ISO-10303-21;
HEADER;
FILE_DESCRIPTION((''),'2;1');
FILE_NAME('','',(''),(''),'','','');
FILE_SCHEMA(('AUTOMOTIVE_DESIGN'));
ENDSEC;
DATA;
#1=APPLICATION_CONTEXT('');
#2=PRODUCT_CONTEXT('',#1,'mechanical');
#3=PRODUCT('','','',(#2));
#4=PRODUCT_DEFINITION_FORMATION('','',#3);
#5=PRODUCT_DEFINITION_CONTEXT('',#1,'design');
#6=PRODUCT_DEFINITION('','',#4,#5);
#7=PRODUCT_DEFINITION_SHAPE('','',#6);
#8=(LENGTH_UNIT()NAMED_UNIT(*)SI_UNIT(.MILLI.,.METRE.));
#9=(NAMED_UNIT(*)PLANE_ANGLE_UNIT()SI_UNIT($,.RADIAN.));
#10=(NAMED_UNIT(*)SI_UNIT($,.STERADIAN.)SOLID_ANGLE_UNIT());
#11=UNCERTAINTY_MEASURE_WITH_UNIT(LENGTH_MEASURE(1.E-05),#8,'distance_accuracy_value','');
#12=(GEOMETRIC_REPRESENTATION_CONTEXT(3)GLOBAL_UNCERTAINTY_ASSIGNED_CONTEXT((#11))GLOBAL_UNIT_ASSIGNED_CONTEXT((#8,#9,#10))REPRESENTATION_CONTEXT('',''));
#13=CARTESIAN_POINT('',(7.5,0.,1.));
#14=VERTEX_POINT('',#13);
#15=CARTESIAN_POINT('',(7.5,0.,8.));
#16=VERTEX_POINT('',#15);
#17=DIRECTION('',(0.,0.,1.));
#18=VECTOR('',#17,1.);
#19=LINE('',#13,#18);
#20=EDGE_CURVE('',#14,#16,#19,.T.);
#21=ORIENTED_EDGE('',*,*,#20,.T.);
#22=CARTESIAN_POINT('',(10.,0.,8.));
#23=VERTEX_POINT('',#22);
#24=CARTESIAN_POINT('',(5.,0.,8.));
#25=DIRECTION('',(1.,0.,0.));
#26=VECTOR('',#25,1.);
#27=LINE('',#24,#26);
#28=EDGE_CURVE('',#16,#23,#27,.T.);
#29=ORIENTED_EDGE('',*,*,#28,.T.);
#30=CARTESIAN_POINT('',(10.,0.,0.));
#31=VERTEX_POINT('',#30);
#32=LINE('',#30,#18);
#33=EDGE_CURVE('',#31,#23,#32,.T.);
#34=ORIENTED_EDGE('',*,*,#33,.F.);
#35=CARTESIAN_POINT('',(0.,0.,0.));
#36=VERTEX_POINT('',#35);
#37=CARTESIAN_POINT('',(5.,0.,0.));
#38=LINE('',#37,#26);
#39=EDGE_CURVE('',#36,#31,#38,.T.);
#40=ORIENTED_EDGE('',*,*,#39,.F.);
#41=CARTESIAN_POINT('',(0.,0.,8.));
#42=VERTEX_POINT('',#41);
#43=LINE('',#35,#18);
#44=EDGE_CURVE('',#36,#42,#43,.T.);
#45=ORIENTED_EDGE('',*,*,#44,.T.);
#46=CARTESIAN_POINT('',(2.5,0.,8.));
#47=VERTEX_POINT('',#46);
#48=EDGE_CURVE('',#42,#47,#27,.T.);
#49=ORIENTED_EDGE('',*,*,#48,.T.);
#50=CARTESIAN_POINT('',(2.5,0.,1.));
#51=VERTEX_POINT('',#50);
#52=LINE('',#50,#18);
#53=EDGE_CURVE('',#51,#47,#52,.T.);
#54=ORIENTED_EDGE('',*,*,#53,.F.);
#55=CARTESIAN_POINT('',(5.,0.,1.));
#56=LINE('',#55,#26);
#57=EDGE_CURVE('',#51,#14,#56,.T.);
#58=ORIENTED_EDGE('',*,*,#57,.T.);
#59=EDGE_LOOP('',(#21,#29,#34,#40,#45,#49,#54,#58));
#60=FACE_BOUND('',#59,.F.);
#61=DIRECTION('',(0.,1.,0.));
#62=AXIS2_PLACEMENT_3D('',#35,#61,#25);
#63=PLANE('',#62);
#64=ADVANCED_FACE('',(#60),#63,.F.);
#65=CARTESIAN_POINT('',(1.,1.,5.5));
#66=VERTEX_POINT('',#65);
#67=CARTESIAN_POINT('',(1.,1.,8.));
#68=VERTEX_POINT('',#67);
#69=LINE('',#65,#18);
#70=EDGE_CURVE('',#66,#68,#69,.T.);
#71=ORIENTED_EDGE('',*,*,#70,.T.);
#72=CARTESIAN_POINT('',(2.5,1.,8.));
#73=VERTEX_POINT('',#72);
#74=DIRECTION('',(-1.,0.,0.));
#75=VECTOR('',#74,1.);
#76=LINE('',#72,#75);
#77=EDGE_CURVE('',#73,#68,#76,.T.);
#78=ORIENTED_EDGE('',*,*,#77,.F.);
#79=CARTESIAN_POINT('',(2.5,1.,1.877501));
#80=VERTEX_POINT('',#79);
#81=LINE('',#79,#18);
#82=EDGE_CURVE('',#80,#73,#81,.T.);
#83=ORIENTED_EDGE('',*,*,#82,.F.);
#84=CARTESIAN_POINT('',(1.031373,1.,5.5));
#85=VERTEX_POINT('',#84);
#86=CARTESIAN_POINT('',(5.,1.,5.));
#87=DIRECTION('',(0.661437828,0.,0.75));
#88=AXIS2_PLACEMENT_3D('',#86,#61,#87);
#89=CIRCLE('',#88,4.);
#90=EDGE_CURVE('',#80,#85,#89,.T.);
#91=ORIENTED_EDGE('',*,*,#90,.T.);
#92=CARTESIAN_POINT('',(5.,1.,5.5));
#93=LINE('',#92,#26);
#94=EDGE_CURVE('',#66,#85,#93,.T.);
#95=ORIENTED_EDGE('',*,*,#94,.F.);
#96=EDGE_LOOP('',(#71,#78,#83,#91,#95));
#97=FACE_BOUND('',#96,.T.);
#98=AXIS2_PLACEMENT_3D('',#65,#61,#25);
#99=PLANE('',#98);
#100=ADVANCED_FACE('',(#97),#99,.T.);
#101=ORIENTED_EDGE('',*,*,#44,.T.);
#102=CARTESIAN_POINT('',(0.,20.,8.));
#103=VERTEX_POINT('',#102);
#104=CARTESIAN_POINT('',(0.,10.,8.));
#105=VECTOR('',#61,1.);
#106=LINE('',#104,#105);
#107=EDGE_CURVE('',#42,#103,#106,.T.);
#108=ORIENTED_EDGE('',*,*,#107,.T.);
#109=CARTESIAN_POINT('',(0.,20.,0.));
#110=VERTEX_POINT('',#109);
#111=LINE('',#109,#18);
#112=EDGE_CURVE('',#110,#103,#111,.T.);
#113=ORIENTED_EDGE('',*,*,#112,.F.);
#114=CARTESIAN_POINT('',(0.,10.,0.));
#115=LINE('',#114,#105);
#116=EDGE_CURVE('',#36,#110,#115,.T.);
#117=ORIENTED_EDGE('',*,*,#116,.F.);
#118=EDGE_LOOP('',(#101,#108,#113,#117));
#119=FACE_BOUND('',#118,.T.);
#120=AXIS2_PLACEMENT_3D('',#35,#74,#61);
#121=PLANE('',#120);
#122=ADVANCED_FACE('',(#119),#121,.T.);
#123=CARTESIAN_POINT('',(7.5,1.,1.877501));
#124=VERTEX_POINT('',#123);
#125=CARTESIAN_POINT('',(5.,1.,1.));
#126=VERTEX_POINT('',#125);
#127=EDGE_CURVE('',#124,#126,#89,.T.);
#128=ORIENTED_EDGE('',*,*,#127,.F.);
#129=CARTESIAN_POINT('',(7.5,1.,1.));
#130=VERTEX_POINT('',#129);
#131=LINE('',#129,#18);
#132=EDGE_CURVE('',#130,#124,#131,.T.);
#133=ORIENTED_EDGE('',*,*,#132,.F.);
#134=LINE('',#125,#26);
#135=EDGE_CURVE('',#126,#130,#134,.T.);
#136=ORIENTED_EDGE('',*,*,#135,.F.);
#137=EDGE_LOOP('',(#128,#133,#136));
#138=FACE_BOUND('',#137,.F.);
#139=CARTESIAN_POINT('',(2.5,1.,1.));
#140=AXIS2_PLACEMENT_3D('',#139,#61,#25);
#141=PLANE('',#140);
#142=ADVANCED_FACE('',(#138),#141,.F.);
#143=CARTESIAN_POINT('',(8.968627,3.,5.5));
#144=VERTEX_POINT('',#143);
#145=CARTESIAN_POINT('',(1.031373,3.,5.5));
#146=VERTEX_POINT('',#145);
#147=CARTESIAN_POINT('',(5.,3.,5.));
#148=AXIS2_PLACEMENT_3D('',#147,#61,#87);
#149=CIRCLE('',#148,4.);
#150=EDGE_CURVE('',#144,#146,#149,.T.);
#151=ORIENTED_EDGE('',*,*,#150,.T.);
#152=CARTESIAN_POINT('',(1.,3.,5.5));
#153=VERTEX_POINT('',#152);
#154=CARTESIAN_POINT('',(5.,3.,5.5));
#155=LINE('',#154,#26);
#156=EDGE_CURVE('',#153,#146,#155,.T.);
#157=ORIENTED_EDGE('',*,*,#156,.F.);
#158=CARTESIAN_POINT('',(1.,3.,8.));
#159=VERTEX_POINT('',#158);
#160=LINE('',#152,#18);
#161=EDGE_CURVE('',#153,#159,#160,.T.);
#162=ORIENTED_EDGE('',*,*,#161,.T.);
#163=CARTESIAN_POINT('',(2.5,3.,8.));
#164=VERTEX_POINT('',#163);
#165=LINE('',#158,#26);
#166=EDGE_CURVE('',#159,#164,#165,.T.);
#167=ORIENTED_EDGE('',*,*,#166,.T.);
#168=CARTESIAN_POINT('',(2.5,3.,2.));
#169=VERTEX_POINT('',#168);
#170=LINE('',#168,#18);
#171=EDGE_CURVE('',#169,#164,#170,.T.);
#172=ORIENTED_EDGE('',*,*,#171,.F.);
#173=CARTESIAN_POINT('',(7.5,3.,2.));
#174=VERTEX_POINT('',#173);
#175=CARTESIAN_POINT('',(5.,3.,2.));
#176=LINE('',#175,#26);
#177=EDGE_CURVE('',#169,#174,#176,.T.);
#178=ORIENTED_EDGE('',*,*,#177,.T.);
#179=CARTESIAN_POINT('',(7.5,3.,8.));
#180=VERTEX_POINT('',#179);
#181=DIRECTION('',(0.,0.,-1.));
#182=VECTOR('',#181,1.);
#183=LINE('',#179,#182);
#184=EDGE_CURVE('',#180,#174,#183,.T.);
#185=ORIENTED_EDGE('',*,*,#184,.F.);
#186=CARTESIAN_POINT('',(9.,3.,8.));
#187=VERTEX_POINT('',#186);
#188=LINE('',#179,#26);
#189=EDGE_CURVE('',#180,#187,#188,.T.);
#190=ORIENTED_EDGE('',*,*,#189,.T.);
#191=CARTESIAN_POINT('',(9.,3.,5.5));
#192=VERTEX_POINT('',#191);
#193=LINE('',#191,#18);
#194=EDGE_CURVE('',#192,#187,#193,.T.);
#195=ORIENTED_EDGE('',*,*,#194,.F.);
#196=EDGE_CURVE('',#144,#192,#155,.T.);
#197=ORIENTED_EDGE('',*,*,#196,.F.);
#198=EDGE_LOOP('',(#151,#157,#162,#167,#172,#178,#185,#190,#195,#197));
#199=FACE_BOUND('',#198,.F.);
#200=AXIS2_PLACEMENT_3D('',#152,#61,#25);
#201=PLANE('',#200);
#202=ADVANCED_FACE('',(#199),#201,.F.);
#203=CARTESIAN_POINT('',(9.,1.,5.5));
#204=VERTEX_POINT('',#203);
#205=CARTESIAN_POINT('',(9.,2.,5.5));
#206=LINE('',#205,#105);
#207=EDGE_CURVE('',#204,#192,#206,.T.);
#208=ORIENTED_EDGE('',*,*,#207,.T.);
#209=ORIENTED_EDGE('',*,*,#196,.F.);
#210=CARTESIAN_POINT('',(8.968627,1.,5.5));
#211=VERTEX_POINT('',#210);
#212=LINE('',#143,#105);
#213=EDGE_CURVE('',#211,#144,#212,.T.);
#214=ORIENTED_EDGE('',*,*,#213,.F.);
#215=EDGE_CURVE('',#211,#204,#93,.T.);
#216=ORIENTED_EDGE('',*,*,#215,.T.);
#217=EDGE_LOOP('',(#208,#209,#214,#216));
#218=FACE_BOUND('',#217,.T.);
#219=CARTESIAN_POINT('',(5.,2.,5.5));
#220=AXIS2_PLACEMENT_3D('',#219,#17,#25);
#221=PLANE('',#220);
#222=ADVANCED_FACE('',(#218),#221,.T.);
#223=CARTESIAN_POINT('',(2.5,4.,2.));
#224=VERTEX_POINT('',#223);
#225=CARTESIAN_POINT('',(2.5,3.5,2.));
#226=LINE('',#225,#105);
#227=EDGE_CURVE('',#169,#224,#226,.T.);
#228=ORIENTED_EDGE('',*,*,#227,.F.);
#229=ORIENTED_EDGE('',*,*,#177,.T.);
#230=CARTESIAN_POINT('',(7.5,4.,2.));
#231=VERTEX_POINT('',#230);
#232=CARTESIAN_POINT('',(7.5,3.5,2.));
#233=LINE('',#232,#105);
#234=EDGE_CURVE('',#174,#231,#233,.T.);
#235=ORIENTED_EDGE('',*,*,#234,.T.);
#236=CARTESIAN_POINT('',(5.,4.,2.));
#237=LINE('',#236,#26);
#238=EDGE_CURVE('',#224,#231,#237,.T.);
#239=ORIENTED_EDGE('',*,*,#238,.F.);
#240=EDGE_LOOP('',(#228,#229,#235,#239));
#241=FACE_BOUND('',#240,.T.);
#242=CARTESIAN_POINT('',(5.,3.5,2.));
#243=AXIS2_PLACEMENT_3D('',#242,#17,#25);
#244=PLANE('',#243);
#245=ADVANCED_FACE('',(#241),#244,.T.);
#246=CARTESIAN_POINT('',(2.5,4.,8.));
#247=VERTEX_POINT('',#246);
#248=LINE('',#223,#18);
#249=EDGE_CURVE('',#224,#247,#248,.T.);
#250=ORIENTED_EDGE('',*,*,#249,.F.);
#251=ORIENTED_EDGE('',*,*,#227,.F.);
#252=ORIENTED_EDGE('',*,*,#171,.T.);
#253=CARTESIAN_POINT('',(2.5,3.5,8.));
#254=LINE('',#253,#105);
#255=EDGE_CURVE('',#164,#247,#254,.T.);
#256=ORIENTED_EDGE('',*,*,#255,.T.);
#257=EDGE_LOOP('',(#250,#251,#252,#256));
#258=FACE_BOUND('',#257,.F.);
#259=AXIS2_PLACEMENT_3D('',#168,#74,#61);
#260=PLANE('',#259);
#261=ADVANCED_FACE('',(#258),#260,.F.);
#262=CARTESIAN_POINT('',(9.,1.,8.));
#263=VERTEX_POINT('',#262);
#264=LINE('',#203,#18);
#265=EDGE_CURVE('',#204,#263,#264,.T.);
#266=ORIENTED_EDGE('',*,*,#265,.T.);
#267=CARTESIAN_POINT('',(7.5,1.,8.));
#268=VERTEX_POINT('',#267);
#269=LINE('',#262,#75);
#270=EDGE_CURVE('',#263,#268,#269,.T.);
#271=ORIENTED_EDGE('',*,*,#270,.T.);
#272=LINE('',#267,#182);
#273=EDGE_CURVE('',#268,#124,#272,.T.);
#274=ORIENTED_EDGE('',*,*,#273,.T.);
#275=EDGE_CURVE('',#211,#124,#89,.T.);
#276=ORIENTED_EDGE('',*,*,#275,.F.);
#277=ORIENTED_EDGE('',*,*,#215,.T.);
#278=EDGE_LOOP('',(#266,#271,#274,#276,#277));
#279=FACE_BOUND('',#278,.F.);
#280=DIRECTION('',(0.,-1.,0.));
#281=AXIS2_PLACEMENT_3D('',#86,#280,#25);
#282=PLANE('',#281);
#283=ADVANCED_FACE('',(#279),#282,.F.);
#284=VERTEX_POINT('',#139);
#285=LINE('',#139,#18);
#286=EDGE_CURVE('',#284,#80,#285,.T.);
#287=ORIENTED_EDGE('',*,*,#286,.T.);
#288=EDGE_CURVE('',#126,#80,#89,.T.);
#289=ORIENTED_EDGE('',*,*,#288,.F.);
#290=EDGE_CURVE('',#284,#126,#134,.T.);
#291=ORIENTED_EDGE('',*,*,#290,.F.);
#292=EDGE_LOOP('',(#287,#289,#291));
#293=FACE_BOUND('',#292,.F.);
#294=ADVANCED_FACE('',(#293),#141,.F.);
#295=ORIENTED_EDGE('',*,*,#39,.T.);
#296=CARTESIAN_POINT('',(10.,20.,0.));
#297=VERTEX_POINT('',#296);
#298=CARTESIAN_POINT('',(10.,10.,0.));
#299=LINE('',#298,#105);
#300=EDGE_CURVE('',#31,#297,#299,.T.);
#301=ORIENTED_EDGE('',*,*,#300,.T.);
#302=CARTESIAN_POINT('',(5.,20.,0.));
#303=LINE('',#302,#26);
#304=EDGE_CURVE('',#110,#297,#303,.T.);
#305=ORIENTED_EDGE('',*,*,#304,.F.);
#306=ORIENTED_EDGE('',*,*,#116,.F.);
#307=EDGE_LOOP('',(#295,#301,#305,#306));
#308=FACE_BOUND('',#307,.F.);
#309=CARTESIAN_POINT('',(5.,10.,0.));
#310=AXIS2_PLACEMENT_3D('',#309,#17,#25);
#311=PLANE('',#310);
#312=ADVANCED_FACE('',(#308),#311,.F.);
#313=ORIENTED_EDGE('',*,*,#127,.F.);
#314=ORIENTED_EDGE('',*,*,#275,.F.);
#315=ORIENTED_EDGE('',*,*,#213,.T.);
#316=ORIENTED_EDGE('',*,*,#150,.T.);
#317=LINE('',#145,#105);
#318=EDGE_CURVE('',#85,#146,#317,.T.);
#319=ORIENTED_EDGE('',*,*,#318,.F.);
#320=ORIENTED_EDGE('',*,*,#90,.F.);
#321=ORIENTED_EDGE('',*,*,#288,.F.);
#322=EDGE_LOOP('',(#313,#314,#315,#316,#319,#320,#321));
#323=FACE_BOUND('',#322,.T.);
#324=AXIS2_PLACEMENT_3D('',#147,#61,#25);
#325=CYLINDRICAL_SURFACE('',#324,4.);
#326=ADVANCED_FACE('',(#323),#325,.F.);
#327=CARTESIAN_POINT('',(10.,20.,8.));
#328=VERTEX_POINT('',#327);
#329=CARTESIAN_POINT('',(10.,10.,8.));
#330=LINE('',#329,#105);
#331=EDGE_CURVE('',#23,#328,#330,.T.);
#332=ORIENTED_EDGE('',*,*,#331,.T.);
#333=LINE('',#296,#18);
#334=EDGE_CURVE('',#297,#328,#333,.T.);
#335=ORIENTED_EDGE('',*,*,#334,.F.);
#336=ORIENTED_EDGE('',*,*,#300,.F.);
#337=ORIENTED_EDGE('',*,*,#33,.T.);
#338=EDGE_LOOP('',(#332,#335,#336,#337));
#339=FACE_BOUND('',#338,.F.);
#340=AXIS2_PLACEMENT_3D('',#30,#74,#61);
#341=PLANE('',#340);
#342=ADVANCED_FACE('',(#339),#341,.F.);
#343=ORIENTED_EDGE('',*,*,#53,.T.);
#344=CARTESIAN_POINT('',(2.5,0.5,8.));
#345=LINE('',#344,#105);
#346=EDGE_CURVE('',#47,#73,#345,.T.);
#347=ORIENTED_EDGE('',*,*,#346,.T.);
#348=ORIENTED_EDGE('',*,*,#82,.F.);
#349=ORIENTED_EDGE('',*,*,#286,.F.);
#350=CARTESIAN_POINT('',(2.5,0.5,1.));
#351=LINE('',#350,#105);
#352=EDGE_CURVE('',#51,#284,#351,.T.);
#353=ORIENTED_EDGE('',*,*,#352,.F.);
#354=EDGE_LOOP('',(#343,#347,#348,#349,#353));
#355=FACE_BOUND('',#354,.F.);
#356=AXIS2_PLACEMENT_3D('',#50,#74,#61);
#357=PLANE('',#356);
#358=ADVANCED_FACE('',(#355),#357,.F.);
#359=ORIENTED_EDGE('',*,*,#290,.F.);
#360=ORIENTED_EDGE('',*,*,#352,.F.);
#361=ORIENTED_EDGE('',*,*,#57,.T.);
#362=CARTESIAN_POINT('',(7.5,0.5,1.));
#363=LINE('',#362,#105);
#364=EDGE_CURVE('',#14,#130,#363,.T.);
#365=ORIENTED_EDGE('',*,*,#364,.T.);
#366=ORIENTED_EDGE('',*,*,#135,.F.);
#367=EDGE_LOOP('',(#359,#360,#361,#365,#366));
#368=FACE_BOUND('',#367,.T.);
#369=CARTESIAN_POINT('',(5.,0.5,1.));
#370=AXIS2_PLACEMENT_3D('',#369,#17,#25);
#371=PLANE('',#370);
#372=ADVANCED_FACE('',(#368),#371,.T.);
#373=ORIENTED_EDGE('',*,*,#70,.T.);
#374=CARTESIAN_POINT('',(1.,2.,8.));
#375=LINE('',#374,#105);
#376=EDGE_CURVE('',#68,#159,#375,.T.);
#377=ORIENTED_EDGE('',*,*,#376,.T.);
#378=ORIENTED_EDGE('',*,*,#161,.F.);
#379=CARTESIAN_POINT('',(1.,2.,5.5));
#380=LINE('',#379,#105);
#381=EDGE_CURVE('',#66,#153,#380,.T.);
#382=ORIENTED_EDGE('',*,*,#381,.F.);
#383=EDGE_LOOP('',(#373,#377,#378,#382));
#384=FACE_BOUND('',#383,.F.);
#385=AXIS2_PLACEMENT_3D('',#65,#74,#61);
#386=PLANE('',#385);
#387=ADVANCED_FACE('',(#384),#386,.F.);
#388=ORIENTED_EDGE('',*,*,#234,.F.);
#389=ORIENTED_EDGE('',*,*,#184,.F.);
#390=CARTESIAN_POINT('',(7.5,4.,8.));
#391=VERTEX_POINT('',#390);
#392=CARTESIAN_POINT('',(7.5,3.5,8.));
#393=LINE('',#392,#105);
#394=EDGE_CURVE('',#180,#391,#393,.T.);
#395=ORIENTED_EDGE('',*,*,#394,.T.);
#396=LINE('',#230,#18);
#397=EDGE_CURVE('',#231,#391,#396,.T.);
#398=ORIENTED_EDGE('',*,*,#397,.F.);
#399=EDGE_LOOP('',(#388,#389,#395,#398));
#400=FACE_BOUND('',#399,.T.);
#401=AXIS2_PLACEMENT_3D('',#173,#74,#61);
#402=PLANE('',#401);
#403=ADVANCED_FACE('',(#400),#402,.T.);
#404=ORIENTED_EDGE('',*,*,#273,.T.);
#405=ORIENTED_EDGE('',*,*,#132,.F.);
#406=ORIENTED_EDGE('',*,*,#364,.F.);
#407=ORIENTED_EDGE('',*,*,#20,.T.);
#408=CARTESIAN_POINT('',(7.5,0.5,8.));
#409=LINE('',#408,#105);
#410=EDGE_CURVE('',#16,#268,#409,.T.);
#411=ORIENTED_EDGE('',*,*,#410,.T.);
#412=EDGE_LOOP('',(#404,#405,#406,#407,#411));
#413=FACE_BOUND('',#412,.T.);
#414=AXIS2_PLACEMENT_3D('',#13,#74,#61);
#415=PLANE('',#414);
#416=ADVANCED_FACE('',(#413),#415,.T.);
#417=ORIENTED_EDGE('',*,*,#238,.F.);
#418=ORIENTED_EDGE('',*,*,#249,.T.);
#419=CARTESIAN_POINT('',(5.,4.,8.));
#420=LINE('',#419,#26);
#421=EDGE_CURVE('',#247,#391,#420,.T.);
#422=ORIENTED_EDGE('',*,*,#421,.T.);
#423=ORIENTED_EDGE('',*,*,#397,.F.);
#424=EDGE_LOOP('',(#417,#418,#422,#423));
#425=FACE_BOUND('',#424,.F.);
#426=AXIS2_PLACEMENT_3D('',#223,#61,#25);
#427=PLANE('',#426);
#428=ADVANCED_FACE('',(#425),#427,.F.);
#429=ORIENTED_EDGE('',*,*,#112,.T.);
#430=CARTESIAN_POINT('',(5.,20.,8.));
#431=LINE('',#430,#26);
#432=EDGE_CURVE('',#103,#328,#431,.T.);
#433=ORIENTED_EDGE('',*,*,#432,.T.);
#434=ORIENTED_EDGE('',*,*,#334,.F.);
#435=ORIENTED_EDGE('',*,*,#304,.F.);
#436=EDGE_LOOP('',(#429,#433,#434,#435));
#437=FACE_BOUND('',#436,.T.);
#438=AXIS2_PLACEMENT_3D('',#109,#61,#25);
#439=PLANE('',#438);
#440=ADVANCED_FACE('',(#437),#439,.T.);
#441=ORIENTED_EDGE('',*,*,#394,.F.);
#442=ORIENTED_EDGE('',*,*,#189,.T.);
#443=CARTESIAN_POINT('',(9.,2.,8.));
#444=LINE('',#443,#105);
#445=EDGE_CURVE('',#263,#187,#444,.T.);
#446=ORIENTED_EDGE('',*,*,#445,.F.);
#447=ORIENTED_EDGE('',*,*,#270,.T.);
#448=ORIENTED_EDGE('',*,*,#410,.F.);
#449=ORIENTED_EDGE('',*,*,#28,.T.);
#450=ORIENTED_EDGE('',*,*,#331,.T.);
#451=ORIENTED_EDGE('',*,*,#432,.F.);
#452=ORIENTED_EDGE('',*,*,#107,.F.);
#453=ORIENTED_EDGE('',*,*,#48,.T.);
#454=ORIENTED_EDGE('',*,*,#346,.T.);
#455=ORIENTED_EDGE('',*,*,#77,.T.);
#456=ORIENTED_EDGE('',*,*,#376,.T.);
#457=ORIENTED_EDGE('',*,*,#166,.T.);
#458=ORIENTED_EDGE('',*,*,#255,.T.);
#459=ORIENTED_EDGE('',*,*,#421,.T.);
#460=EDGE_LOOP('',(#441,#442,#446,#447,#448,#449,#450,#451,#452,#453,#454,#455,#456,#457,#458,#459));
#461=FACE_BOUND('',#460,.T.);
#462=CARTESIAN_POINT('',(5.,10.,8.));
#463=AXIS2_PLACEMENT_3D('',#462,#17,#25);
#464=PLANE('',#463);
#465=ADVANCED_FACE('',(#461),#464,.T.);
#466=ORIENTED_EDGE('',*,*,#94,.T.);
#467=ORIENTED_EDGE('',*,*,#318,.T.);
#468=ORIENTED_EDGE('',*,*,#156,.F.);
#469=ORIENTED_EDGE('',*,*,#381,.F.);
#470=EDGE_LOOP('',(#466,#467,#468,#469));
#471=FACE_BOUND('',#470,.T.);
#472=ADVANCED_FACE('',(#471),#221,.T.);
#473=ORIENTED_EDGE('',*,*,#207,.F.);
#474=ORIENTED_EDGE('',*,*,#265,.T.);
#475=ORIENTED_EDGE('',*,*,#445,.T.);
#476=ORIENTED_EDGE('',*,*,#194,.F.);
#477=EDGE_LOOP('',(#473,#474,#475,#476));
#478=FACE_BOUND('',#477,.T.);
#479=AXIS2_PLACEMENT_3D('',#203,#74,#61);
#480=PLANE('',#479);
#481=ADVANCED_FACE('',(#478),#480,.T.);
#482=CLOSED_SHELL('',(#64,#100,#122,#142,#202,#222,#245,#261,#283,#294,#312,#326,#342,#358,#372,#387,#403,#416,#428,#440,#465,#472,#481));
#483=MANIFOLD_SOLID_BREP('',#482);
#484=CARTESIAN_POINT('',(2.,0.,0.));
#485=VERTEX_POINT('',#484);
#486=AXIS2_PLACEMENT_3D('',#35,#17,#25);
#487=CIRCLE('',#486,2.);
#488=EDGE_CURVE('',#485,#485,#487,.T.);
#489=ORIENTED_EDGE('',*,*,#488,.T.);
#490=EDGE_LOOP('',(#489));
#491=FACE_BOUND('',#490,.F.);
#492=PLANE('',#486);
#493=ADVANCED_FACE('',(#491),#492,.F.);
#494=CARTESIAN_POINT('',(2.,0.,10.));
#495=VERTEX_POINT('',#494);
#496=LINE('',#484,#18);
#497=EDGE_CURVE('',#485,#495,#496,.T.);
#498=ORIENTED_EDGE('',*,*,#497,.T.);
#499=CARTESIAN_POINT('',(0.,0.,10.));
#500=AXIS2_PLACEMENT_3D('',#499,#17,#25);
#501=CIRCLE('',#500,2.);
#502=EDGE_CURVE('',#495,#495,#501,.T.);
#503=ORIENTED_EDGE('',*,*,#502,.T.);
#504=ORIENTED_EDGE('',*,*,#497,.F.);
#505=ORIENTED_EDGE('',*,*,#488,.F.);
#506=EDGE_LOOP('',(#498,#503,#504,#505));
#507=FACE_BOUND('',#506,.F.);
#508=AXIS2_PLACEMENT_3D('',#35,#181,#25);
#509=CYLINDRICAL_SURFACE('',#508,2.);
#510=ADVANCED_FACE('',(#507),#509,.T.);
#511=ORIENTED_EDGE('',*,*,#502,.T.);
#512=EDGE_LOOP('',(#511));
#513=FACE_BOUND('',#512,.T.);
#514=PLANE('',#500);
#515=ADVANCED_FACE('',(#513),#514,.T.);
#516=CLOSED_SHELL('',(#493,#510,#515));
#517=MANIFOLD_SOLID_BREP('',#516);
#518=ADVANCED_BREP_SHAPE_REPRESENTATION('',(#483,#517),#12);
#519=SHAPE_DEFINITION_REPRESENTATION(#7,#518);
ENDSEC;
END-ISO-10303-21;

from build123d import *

# Parameters (mm, degrees)
BOX003_W            = 8
BOX003_H            = 2
BOX003_DEPTH        = 2.5
BOX002_W            = 5
BOX002_H            = 1
BOX002_DEPTH        = 6
BOX001_W            = 5
BOX001_H            = 1
BOX001_DEPTH        = 7
CYLINDER_R          = 4
CYLINDER_DEPTH      = 2
CYLINDER_ROLL_ANGLE = 90
BOX_W               = 10
BOX_H               = 20
BOX_DEPTH           = 8
CYLINDER001_R       = 2
CYLINDER001_DEPTH   = 10


with BuildPart() as cylinder_edge_refinement:
    # Box003 → Box003 (new body)
    with BuildSketch(Plane(origin=(1, 1, 5.5), x_dir=(1, 0, 0), z_dir=(0, 0, 1))):
        with Locations((4, 1)):
            Rectangle(BOX003_W, BOX003_H)
    extrude(amount=BOX003_DEPTH)


with BuildPart() as interior_opening:
    # Box002 → Box002 (new body)
    with BuildSketch(Plane(origin=(2.5, 3, 2), x_dir=(1, 0, 0), z_dir=(0, 0, 1))):
        with Locations((2.5, 0.5)):
            Rectangle(BOX002_W, BOX002_H)
    extrude(amount=BOX002_DEPTH)


with BuildPart() as end_opening:
    # Box001 → Box001 (new body)
    with BuildSketch(Plane(origin=(2.5, 0, 1), x_dir=(1, 0, 0), z_dir=(0, 0, 1))):
        with Locations((2.5, 0.5)):
            Rectangle(BOX001_W, BOX001_H)
    extrude(amount=BOX001_DEPTH)


with BuildPart() as solenoid_head_slot:
    # Cylinder → Cylinder (new body)
    with BuildSketch(Plane.XY):
        Circle(CYLINDER_R)
    extrude(amount=CYLINDER_DEPTH)


with BuildPart() as solenoid_head_slot_1:
    # Cylinder roll: moved
    add(solenoid_head_slot.part.rotate(Axis((0, 0, 0), (1, 0, 0)), CYLINDER_ROLL_ANGLE))


with BuildPart() as solenoid_head_slot_2:
    # Cylinder placement: moved
    add(solenoid_head_slot_1.part.moved(Location((5, 3, 5))))


with BuildPart() as cut003:
    # Box → Box (new body)
    with BuildSketch(Plane.XY):
        with Locations((5, 10)):
            Rectangle(BOX_W, BOX_H)
    extrude(amount=BOX_DEPTH)

    # Cut: cut solenoid_head_slot
    add(solenoid_head_slot_2.part, mode=Mode.SUBTRACT)

    # Cut001: cut end_opening
    add(end_opening.part, mode=Mode.SUBTRACT)

    # Cut002: cut interior_opening
    add(interior_opening.part, mode=Mode.SUBTRACT)

    # Cut003: cut cylinder_edge_refinement
    add(cylinder_edge_refinement.part, mode=Mode.SUBTRACT)


with BuildPart() as rounded_top:
    # Cylinder001 → Cylinder001 (new body)
    with BuildSketch(Plane.XY):
        Circle(CYLINDER001_R)
    extrude(amount=CYLINDER001_DEPTH)


solid = Compound([cut003.part, rounded_top.part])
